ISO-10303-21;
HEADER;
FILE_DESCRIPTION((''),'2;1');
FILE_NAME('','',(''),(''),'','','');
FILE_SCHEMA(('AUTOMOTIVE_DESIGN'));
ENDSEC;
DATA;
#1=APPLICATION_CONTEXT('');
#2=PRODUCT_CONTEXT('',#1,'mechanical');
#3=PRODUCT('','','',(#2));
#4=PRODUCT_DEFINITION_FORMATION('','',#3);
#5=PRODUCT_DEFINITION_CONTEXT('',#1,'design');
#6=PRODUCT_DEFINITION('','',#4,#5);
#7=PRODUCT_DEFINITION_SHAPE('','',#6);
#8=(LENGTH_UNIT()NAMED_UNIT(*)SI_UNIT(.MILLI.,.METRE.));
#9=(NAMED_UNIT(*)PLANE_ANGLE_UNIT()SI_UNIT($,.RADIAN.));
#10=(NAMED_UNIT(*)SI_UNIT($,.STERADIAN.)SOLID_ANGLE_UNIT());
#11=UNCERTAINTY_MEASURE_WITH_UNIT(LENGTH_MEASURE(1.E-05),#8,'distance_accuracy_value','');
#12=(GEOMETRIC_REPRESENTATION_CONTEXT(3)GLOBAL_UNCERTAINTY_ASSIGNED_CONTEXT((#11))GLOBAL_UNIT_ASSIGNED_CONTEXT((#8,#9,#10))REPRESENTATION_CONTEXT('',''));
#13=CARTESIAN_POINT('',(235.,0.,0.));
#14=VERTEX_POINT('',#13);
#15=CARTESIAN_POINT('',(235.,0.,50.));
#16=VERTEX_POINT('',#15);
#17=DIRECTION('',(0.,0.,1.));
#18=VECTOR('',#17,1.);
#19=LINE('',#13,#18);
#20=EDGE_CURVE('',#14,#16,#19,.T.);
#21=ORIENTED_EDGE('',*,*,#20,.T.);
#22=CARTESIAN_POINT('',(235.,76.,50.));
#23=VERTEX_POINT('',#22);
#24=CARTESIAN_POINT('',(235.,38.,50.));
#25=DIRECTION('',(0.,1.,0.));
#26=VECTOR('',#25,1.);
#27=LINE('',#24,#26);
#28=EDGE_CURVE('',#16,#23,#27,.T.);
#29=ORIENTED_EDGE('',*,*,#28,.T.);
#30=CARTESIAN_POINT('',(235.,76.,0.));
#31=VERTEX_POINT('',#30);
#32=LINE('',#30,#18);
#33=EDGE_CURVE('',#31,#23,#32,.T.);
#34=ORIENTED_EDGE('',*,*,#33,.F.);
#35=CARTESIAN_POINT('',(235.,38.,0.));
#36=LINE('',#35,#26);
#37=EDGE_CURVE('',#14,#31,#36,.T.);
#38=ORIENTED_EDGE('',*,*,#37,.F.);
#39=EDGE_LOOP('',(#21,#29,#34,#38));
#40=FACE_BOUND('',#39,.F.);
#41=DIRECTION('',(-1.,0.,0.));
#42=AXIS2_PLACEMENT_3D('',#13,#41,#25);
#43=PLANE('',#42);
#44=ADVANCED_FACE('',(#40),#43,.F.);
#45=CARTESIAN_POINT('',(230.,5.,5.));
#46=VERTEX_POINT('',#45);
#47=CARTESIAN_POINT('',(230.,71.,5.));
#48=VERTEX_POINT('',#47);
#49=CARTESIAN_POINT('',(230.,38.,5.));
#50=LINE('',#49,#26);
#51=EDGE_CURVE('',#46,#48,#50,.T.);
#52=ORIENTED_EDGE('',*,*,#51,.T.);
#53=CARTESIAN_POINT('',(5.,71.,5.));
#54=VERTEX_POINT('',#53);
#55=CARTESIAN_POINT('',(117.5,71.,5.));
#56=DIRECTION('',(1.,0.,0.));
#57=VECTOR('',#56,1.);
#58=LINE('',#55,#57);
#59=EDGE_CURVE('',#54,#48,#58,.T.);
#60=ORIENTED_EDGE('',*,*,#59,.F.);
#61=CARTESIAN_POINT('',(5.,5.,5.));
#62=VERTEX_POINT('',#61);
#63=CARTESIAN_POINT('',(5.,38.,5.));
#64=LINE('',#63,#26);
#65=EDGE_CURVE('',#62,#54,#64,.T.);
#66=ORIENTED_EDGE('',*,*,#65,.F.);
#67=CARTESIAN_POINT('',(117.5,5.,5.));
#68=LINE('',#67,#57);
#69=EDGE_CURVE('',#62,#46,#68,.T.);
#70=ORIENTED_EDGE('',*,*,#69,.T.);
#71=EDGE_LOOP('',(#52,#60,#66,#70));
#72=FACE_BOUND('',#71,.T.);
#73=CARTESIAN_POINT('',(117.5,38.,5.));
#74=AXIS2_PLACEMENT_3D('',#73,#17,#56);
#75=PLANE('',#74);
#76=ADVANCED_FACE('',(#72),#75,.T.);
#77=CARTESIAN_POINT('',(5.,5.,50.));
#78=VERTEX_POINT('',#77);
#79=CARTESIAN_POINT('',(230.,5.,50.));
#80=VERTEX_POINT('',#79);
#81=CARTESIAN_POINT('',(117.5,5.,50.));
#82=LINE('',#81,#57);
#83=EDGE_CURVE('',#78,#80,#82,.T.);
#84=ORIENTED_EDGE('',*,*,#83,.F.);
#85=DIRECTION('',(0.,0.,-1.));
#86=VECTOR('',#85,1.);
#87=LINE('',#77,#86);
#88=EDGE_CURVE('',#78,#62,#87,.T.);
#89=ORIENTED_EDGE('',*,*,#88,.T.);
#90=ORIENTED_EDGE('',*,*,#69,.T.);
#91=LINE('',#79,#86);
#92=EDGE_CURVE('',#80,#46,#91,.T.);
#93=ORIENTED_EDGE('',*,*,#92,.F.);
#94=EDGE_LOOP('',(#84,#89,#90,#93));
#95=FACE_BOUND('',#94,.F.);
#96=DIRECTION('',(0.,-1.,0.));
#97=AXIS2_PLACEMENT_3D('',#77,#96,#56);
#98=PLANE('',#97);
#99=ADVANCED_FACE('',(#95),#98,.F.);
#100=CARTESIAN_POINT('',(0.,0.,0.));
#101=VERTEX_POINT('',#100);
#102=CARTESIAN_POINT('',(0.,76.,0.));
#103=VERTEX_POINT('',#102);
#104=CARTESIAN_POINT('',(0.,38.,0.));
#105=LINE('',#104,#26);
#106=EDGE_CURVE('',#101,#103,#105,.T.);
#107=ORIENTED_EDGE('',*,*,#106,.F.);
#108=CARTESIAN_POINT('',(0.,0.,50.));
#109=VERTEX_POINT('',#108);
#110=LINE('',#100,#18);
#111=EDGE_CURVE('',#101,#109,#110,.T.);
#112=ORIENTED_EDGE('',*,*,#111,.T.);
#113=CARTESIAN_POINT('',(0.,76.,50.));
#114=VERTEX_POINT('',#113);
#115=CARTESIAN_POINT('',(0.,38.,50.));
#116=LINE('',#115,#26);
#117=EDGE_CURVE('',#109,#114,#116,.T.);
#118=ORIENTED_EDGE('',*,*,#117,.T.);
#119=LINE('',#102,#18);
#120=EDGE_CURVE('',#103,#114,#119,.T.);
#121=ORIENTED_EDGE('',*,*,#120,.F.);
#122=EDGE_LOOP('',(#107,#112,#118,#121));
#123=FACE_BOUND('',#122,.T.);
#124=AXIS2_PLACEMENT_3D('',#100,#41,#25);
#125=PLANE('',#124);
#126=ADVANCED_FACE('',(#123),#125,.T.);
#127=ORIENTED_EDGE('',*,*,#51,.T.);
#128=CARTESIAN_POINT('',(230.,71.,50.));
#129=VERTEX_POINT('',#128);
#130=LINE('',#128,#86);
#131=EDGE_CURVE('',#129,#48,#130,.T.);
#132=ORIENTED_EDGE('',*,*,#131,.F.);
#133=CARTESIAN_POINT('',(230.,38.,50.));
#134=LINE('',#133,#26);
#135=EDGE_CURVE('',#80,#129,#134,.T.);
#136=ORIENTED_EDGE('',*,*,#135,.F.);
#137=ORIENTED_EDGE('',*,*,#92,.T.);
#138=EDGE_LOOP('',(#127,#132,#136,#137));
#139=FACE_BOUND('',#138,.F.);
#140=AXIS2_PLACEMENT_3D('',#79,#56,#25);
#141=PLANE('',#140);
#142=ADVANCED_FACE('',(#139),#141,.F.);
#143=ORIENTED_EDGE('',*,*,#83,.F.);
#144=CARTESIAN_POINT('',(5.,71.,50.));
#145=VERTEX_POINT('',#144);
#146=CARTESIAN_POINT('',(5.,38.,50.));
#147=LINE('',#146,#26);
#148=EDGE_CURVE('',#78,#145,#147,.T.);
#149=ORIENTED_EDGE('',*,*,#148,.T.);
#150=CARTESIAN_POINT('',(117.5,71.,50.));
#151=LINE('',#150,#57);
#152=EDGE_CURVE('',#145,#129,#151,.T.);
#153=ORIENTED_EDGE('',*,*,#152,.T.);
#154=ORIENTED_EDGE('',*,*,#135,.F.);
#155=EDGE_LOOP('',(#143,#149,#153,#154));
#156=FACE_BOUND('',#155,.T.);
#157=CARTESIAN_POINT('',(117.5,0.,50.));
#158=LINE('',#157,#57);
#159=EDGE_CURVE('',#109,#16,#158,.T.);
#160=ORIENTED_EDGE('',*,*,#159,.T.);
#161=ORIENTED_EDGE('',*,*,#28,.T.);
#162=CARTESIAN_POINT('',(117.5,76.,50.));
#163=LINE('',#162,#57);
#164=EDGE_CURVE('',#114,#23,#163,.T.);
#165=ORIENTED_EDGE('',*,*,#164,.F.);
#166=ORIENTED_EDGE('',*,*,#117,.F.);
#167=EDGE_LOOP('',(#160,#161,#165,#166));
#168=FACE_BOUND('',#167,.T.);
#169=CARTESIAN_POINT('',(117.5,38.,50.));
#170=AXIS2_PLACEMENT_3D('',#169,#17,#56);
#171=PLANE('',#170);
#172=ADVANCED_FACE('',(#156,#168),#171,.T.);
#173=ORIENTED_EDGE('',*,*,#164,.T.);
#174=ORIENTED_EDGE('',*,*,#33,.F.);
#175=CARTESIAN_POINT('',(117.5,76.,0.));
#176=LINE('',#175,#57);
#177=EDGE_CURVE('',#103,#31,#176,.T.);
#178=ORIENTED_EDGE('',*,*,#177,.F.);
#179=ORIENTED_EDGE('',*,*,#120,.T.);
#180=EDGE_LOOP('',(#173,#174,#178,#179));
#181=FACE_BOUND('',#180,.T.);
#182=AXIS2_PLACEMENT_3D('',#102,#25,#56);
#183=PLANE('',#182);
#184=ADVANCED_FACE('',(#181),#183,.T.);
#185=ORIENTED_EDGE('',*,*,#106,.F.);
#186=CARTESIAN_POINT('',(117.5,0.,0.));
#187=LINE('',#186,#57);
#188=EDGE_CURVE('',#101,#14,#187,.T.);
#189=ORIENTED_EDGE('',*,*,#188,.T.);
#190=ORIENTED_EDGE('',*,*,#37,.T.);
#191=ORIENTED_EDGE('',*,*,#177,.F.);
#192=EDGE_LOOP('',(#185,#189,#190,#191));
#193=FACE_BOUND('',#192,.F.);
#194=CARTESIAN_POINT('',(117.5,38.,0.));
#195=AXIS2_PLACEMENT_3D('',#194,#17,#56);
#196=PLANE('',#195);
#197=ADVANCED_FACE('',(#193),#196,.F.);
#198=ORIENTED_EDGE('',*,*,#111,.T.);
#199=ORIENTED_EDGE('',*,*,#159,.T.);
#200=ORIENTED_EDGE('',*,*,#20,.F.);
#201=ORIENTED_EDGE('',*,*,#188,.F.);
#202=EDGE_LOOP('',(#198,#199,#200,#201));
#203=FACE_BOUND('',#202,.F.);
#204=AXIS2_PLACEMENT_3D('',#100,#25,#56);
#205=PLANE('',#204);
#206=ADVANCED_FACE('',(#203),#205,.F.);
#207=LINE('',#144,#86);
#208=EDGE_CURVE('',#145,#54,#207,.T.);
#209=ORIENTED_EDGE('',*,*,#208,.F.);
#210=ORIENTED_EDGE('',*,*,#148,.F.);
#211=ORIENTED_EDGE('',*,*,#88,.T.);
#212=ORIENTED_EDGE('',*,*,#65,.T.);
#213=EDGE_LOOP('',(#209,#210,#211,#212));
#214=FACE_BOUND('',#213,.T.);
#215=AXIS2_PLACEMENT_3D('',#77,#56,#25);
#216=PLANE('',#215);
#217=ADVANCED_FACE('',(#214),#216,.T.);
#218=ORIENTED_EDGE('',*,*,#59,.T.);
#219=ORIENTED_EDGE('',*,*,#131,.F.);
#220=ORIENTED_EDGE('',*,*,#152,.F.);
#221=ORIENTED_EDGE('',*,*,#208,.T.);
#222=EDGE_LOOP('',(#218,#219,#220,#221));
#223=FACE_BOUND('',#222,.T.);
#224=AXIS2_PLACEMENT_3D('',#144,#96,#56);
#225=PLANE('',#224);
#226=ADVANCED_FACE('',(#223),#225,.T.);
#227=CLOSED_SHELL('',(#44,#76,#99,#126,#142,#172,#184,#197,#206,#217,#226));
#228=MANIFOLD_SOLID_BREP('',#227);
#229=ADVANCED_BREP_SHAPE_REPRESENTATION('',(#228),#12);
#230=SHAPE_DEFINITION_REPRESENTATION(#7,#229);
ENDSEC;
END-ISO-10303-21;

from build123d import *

# Parameters (mm, degrees)
BOX_W        = 235
BOX_H        = 76
BOX_DEPTH    = 50
SKETCH_W     = 225
SKETCH_H     = 66
POCKET_DEPTH = 45


with BuildPart() as part:
    # Box → Box (join)
    with BuildSketch(Plane.XY):
        with Locations((117.5, 38)):
            Rectangle(BOX_W, BOX_H)
    extrude(amount=BOX_DEPTH)

    # Sketch (on Face6 of Box) → Pocket (cut)
    with BuildSketch(Plane.XY.offset(50)):
        with Locations((117.5, 38)):
            Rectangle(SKETCH_W, SKETCH_H)
    extrude(amount=-POCKET_DEPTH, mode=Mode.SUBTRACT)


solid = part.part
